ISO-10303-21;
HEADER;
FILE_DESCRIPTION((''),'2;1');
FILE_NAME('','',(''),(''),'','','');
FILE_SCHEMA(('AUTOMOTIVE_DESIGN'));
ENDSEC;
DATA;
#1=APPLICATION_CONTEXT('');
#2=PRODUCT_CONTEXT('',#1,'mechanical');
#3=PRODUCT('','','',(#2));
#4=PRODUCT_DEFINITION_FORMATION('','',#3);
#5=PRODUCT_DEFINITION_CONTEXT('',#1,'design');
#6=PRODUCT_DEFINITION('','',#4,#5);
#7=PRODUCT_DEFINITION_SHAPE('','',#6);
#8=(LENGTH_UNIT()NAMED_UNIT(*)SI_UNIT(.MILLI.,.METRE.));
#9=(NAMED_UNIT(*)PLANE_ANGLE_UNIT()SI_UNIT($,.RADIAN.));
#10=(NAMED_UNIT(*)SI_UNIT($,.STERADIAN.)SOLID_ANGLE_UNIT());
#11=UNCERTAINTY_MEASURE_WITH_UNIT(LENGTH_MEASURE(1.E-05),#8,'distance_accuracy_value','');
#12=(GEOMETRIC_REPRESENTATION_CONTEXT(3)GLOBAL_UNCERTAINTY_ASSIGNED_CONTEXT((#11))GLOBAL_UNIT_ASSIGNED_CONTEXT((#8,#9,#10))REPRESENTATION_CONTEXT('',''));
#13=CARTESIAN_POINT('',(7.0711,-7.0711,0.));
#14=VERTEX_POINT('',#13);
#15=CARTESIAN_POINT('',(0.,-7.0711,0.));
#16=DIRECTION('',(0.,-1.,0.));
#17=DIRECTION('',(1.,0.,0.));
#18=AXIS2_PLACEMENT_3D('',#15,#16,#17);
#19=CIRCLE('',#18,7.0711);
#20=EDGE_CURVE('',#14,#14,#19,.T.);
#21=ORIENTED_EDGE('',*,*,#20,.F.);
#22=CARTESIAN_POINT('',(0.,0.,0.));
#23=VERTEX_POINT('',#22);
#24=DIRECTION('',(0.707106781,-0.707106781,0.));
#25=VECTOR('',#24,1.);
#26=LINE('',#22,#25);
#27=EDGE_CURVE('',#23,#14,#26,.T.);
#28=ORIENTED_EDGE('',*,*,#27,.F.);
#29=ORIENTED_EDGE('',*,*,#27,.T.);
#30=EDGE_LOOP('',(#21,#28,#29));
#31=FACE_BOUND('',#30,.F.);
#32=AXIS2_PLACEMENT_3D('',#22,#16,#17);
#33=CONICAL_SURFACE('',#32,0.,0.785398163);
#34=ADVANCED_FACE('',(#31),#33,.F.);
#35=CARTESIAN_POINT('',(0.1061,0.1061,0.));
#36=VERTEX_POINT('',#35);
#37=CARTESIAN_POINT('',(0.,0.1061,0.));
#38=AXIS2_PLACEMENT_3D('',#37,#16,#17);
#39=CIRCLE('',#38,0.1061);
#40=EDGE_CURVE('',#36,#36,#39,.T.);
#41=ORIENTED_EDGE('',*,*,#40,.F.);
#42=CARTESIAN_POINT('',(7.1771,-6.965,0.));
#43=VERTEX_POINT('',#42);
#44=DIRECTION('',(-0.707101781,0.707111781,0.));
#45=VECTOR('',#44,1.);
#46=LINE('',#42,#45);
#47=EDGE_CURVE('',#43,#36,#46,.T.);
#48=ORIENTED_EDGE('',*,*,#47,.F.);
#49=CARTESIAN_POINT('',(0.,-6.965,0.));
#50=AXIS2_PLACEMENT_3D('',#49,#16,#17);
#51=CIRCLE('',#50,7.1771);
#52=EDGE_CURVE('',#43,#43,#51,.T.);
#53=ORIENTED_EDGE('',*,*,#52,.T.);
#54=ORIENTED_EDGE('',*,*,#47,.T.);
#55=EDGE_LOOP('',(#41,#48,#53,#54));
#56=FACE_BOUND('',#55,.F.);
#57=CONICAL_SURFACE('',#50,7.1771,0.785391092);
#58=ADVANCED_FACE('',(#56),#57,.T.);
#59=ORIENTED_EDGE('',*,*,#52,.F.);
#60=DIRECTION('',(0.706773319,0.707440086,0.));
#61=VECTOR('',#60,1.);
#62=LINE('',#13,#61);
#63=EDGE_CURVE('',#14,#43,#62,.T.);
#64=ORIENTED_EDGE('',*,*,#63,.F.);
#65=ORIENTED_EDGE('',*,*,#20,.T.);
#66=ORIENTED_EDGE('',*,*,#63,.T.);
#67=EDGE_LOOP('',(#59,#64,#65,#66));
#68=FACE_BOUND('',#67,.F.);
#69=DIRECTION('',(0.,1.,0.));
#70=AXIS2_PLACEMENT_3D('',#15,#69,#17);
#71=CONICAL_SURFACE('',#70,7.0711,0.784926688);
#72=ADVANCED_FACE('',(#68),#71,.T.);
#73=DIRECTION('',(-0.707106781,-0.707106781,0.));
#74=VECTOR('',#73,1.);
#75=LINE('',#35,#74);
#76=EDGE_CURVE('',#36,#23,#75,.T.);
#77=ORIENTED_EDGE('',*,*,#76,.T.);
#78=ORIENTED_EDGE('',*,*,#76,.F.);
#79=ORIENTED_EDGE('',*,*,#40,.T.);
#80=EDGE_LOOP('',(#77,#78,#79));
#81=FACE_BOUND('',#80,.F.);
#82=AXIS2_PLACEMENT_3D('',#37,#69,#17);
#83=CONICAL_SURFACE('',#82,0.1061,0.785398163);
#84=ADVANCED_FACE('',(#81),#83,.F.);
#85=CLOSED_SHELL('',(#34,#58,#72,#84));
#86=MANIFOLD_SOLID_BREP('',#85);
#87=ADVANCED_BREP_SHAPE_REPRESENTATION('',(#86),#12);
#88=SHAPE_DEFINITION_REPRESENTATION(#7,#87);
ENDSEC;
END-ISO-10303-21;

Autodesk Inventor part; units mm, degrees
ref_plane "YZ Plane" through (0, 0, 0) normal (1, 0, 0) x (0, 1, 0)
ref_plane "XZ Plane" through (0, 0, 0) normal (0, 1, 0) x (-1, 0, 0)
ref_plane "XY Plane" through (0, 0, 0) normal (0, 0, 1) x (1, 0, 0)
sketch "Эскиз1" plane through (0, 0, 0) normal (0, 0, 1) x (1, 0, 0)
  line L0 (0, 0) -> (0, -22.4194)
  line L1 (0, 0) -> (7.0711, -7.0711)
  line L2 (7.0711, -7.0711) -> (7.1771, -6.965)
  line L3 (7.1771, -6.965) -> (0.1061, 0.1061)
  line L4 (0.1061, 0.1061) -> (0, 0)
  line L5 (0, 0) -> (10, 0) construction
  line L6 (7.0711, -7.0711) -> (7.7782, -7.7782)
  line L7 (7.7782, -7.7782) -> (14.8492, -14.8492)
  line L8 (14.8492, -14.8492) -> (14.9553, -14.7432)
  line L9 (14.9553, -14.7432) -> (7.8842, -7.6721)
  line L10 (7.8842, -7.6721) -> (7.7782, -7.7782)
  dimension "d0" = 10
  dimension "d1" = 45
  dimension "d2" = 0.15
  dimension "d4" = 1
  dimension "d5" = 10
  dimension "d6" = 0.15
revolve "Вращение1" add sketch "Эскиз1" angle 360 about axis through (0, 0, 0) along (0, -1, 0) contours L4 L3 L2 L1
properties part number "Kathode" material "Сталь, легированная"
